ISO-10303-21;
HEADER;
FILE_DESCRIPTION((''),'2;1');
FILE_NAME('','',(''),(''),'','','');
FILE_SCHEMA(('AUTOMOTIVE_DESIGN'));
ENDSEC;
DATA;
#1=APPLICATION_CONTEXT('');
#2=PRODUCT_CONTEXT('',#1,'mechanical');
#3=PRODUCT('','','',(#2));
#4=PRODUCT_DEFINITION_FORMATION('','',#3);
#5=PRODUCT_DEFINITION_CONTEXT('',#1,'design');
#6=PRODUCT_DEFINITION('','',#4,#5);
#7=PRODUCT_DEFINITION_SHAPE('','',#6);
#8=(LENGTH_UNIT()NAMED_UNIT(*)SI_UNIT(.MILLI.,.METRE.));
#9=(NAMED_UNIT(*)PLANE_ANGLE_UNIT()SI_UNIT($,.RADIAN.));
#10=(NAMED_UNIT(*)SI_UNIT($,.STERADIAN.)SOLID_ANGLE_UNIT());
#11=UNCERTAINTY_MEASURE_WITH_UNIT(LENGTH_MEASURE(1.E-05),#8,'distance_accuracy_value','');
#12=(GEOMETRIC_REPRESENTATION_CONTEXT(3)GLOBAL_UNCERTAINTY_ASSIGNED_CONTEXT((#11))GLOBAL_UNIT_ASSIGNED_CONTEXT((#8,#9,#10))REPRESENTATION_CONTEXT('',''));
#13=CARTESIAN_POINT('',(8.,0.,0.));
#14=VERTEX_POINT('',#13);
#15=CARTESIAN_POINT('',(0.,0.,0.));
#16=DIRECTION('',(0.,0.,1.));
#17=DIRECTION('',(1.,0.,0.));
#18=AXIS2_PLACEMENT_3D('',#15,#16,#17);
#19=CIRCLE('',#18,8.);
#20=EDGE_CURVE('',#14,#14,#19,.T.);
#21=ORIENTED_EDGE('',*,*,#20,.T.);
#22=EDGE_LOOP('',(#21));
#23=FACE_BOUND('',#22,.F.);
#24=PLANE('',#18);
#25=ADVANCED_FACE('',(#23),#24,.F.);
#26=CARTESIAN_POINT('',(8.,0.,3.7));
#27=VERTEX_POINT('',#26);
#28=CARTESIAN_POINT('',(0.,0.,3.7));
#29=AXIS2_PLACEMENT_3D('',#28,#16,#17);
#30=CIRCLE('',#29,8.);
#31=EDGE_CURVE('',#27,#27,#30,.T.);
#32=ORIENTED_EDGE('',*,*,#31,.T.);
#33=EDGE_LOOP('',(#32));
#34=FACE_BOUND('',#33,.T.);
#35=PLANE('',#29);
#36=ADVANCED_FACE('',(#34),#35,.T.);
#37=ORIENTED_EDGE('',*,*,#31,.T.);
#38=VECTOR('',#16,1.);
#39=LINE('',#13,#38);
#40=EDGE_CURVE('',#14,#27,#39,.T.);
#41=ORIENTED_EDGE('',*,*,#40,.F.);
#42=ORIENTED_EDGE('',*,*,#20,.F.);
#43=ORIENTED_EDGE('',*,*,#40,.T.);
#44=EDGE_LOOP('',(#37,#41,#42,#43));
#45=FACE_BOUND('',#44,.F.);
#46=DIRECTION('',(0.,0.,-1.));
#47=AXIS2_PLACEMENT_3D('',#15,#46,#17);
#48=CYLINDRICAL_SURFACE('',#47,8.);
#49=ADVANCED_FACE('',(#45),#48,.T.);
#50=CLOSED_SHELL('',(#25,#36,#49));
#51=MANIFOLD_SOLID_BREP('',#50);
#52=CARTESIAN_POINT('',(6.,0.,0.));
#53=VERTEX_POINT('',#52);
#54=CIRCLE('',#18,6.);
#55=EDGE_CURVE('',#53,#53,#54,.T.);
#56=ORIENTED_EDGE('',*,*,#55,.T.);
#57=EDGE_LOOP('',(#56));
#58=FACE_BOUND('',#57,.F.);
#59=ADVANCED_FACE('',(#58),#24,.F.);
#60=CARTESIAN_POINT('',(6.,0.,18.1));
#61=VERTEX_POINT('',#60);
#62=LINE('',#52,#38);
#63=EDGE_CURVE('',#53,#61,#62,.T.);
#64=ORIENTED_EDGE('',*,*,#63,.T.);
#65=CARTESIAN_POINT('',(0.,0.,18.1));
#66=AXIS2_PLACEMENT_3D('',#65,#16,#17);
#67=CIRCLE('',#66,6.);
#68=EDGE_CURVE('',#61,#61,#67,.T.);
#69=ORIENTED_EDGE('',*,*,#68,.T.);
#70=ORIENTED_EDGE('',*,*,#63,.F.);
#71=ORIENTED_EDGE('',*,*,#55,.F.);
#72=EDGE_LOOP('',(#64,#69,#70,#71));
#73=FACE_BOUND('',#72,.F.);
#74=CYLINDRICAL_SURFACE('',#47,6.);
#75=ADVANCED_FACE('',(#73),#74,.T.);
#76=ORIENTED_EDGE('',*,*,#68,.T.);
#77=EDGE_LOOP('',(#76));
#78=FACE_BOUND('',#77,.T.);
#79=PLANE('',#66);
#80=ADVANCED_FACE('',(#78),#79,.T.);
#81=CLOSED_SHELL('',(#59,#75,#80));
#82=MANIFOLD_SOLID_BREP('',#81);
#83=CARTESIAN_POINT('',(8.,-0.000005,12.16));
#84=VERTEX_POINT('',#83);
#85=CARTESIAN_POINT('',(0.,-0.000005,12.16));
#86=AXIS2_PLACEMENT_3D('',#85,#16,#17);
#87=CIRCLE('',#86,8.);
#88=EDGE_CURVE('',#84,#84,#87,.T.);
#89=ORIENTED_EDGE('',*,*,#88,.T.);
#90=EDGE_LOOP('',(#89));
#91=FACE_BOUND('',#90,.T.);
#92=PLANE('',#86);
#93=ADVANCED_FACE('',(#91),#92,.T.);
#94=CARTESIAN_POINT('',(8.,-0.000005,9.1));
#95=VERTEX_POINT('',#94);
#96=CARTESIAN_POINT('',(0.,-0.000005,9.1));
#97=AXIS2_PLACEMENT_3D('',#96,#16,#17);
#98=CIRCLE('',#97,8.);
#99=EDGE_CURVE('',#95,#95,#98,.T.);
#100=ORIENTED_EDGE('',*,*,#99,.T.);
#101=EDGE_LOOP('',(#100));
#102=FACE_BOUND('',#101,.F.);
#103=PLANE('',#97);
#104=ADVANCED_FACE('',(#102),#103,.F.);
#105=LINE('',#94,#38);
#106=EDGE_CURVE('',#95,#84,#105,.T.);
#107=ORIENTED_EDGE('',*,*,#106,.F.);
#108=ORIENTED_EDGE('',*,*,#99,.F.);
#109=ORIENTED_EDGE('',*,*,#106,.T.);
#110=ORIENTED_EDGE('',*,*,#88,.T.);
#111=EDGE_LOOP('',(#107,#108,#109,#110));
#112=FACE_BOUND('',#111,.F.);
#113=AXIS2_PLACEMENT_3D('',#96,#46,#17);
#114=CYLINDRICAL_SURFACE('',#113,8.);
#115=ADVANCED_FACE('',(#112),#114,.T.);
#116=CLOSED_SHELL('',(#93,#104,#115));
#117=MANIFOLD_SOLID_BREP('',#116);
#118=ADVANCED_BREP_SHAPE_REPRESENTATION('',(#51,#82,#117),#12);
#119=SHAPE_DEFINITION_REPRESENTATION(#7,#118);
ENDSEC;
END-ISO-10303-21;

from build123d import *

# Parameters (mm, degrees)
CYLINDER_R        = 8
CYLINDER_DEPTH    = 3.7
CYLINDER001_R     = 8
CYLINDER001_DEPTH = 3.06
CYLINDER002_R     = 6
CYLINDER002_DEPTH = 18.1


with BuildPart() as cilindro:
    # Cylinder → Cylinder (new body)
    with BuildSketch(Plane.XY):
        Circle(CYLINDER_R)
    extrude(amount=CYLINDER_DEPTH)


with BuildPart() as cilindro002:
    # Cylinder001 → Cylinder001 (new body)
    with BuildSketch(Plane(origin=(0, -5e-06, 9.1), x_dir=(1, 0, 0), z_dir=(0, 0, 1))):
        Circle(CYLINDER001_R)
    extrude(amount=CYLINDER001_DEPTH)


with BuildPart() as cilindro001:
    # Cylinder002 → Cylinder002 (new body)
    with BuildSketch(Plane.XY):
        Circle(CYLINDER002_R)
    extrude(amount=CYLINDER002_DEPTH)


solid = Compound([cilindro.part, cilindro002.part, cilindro001.part])
